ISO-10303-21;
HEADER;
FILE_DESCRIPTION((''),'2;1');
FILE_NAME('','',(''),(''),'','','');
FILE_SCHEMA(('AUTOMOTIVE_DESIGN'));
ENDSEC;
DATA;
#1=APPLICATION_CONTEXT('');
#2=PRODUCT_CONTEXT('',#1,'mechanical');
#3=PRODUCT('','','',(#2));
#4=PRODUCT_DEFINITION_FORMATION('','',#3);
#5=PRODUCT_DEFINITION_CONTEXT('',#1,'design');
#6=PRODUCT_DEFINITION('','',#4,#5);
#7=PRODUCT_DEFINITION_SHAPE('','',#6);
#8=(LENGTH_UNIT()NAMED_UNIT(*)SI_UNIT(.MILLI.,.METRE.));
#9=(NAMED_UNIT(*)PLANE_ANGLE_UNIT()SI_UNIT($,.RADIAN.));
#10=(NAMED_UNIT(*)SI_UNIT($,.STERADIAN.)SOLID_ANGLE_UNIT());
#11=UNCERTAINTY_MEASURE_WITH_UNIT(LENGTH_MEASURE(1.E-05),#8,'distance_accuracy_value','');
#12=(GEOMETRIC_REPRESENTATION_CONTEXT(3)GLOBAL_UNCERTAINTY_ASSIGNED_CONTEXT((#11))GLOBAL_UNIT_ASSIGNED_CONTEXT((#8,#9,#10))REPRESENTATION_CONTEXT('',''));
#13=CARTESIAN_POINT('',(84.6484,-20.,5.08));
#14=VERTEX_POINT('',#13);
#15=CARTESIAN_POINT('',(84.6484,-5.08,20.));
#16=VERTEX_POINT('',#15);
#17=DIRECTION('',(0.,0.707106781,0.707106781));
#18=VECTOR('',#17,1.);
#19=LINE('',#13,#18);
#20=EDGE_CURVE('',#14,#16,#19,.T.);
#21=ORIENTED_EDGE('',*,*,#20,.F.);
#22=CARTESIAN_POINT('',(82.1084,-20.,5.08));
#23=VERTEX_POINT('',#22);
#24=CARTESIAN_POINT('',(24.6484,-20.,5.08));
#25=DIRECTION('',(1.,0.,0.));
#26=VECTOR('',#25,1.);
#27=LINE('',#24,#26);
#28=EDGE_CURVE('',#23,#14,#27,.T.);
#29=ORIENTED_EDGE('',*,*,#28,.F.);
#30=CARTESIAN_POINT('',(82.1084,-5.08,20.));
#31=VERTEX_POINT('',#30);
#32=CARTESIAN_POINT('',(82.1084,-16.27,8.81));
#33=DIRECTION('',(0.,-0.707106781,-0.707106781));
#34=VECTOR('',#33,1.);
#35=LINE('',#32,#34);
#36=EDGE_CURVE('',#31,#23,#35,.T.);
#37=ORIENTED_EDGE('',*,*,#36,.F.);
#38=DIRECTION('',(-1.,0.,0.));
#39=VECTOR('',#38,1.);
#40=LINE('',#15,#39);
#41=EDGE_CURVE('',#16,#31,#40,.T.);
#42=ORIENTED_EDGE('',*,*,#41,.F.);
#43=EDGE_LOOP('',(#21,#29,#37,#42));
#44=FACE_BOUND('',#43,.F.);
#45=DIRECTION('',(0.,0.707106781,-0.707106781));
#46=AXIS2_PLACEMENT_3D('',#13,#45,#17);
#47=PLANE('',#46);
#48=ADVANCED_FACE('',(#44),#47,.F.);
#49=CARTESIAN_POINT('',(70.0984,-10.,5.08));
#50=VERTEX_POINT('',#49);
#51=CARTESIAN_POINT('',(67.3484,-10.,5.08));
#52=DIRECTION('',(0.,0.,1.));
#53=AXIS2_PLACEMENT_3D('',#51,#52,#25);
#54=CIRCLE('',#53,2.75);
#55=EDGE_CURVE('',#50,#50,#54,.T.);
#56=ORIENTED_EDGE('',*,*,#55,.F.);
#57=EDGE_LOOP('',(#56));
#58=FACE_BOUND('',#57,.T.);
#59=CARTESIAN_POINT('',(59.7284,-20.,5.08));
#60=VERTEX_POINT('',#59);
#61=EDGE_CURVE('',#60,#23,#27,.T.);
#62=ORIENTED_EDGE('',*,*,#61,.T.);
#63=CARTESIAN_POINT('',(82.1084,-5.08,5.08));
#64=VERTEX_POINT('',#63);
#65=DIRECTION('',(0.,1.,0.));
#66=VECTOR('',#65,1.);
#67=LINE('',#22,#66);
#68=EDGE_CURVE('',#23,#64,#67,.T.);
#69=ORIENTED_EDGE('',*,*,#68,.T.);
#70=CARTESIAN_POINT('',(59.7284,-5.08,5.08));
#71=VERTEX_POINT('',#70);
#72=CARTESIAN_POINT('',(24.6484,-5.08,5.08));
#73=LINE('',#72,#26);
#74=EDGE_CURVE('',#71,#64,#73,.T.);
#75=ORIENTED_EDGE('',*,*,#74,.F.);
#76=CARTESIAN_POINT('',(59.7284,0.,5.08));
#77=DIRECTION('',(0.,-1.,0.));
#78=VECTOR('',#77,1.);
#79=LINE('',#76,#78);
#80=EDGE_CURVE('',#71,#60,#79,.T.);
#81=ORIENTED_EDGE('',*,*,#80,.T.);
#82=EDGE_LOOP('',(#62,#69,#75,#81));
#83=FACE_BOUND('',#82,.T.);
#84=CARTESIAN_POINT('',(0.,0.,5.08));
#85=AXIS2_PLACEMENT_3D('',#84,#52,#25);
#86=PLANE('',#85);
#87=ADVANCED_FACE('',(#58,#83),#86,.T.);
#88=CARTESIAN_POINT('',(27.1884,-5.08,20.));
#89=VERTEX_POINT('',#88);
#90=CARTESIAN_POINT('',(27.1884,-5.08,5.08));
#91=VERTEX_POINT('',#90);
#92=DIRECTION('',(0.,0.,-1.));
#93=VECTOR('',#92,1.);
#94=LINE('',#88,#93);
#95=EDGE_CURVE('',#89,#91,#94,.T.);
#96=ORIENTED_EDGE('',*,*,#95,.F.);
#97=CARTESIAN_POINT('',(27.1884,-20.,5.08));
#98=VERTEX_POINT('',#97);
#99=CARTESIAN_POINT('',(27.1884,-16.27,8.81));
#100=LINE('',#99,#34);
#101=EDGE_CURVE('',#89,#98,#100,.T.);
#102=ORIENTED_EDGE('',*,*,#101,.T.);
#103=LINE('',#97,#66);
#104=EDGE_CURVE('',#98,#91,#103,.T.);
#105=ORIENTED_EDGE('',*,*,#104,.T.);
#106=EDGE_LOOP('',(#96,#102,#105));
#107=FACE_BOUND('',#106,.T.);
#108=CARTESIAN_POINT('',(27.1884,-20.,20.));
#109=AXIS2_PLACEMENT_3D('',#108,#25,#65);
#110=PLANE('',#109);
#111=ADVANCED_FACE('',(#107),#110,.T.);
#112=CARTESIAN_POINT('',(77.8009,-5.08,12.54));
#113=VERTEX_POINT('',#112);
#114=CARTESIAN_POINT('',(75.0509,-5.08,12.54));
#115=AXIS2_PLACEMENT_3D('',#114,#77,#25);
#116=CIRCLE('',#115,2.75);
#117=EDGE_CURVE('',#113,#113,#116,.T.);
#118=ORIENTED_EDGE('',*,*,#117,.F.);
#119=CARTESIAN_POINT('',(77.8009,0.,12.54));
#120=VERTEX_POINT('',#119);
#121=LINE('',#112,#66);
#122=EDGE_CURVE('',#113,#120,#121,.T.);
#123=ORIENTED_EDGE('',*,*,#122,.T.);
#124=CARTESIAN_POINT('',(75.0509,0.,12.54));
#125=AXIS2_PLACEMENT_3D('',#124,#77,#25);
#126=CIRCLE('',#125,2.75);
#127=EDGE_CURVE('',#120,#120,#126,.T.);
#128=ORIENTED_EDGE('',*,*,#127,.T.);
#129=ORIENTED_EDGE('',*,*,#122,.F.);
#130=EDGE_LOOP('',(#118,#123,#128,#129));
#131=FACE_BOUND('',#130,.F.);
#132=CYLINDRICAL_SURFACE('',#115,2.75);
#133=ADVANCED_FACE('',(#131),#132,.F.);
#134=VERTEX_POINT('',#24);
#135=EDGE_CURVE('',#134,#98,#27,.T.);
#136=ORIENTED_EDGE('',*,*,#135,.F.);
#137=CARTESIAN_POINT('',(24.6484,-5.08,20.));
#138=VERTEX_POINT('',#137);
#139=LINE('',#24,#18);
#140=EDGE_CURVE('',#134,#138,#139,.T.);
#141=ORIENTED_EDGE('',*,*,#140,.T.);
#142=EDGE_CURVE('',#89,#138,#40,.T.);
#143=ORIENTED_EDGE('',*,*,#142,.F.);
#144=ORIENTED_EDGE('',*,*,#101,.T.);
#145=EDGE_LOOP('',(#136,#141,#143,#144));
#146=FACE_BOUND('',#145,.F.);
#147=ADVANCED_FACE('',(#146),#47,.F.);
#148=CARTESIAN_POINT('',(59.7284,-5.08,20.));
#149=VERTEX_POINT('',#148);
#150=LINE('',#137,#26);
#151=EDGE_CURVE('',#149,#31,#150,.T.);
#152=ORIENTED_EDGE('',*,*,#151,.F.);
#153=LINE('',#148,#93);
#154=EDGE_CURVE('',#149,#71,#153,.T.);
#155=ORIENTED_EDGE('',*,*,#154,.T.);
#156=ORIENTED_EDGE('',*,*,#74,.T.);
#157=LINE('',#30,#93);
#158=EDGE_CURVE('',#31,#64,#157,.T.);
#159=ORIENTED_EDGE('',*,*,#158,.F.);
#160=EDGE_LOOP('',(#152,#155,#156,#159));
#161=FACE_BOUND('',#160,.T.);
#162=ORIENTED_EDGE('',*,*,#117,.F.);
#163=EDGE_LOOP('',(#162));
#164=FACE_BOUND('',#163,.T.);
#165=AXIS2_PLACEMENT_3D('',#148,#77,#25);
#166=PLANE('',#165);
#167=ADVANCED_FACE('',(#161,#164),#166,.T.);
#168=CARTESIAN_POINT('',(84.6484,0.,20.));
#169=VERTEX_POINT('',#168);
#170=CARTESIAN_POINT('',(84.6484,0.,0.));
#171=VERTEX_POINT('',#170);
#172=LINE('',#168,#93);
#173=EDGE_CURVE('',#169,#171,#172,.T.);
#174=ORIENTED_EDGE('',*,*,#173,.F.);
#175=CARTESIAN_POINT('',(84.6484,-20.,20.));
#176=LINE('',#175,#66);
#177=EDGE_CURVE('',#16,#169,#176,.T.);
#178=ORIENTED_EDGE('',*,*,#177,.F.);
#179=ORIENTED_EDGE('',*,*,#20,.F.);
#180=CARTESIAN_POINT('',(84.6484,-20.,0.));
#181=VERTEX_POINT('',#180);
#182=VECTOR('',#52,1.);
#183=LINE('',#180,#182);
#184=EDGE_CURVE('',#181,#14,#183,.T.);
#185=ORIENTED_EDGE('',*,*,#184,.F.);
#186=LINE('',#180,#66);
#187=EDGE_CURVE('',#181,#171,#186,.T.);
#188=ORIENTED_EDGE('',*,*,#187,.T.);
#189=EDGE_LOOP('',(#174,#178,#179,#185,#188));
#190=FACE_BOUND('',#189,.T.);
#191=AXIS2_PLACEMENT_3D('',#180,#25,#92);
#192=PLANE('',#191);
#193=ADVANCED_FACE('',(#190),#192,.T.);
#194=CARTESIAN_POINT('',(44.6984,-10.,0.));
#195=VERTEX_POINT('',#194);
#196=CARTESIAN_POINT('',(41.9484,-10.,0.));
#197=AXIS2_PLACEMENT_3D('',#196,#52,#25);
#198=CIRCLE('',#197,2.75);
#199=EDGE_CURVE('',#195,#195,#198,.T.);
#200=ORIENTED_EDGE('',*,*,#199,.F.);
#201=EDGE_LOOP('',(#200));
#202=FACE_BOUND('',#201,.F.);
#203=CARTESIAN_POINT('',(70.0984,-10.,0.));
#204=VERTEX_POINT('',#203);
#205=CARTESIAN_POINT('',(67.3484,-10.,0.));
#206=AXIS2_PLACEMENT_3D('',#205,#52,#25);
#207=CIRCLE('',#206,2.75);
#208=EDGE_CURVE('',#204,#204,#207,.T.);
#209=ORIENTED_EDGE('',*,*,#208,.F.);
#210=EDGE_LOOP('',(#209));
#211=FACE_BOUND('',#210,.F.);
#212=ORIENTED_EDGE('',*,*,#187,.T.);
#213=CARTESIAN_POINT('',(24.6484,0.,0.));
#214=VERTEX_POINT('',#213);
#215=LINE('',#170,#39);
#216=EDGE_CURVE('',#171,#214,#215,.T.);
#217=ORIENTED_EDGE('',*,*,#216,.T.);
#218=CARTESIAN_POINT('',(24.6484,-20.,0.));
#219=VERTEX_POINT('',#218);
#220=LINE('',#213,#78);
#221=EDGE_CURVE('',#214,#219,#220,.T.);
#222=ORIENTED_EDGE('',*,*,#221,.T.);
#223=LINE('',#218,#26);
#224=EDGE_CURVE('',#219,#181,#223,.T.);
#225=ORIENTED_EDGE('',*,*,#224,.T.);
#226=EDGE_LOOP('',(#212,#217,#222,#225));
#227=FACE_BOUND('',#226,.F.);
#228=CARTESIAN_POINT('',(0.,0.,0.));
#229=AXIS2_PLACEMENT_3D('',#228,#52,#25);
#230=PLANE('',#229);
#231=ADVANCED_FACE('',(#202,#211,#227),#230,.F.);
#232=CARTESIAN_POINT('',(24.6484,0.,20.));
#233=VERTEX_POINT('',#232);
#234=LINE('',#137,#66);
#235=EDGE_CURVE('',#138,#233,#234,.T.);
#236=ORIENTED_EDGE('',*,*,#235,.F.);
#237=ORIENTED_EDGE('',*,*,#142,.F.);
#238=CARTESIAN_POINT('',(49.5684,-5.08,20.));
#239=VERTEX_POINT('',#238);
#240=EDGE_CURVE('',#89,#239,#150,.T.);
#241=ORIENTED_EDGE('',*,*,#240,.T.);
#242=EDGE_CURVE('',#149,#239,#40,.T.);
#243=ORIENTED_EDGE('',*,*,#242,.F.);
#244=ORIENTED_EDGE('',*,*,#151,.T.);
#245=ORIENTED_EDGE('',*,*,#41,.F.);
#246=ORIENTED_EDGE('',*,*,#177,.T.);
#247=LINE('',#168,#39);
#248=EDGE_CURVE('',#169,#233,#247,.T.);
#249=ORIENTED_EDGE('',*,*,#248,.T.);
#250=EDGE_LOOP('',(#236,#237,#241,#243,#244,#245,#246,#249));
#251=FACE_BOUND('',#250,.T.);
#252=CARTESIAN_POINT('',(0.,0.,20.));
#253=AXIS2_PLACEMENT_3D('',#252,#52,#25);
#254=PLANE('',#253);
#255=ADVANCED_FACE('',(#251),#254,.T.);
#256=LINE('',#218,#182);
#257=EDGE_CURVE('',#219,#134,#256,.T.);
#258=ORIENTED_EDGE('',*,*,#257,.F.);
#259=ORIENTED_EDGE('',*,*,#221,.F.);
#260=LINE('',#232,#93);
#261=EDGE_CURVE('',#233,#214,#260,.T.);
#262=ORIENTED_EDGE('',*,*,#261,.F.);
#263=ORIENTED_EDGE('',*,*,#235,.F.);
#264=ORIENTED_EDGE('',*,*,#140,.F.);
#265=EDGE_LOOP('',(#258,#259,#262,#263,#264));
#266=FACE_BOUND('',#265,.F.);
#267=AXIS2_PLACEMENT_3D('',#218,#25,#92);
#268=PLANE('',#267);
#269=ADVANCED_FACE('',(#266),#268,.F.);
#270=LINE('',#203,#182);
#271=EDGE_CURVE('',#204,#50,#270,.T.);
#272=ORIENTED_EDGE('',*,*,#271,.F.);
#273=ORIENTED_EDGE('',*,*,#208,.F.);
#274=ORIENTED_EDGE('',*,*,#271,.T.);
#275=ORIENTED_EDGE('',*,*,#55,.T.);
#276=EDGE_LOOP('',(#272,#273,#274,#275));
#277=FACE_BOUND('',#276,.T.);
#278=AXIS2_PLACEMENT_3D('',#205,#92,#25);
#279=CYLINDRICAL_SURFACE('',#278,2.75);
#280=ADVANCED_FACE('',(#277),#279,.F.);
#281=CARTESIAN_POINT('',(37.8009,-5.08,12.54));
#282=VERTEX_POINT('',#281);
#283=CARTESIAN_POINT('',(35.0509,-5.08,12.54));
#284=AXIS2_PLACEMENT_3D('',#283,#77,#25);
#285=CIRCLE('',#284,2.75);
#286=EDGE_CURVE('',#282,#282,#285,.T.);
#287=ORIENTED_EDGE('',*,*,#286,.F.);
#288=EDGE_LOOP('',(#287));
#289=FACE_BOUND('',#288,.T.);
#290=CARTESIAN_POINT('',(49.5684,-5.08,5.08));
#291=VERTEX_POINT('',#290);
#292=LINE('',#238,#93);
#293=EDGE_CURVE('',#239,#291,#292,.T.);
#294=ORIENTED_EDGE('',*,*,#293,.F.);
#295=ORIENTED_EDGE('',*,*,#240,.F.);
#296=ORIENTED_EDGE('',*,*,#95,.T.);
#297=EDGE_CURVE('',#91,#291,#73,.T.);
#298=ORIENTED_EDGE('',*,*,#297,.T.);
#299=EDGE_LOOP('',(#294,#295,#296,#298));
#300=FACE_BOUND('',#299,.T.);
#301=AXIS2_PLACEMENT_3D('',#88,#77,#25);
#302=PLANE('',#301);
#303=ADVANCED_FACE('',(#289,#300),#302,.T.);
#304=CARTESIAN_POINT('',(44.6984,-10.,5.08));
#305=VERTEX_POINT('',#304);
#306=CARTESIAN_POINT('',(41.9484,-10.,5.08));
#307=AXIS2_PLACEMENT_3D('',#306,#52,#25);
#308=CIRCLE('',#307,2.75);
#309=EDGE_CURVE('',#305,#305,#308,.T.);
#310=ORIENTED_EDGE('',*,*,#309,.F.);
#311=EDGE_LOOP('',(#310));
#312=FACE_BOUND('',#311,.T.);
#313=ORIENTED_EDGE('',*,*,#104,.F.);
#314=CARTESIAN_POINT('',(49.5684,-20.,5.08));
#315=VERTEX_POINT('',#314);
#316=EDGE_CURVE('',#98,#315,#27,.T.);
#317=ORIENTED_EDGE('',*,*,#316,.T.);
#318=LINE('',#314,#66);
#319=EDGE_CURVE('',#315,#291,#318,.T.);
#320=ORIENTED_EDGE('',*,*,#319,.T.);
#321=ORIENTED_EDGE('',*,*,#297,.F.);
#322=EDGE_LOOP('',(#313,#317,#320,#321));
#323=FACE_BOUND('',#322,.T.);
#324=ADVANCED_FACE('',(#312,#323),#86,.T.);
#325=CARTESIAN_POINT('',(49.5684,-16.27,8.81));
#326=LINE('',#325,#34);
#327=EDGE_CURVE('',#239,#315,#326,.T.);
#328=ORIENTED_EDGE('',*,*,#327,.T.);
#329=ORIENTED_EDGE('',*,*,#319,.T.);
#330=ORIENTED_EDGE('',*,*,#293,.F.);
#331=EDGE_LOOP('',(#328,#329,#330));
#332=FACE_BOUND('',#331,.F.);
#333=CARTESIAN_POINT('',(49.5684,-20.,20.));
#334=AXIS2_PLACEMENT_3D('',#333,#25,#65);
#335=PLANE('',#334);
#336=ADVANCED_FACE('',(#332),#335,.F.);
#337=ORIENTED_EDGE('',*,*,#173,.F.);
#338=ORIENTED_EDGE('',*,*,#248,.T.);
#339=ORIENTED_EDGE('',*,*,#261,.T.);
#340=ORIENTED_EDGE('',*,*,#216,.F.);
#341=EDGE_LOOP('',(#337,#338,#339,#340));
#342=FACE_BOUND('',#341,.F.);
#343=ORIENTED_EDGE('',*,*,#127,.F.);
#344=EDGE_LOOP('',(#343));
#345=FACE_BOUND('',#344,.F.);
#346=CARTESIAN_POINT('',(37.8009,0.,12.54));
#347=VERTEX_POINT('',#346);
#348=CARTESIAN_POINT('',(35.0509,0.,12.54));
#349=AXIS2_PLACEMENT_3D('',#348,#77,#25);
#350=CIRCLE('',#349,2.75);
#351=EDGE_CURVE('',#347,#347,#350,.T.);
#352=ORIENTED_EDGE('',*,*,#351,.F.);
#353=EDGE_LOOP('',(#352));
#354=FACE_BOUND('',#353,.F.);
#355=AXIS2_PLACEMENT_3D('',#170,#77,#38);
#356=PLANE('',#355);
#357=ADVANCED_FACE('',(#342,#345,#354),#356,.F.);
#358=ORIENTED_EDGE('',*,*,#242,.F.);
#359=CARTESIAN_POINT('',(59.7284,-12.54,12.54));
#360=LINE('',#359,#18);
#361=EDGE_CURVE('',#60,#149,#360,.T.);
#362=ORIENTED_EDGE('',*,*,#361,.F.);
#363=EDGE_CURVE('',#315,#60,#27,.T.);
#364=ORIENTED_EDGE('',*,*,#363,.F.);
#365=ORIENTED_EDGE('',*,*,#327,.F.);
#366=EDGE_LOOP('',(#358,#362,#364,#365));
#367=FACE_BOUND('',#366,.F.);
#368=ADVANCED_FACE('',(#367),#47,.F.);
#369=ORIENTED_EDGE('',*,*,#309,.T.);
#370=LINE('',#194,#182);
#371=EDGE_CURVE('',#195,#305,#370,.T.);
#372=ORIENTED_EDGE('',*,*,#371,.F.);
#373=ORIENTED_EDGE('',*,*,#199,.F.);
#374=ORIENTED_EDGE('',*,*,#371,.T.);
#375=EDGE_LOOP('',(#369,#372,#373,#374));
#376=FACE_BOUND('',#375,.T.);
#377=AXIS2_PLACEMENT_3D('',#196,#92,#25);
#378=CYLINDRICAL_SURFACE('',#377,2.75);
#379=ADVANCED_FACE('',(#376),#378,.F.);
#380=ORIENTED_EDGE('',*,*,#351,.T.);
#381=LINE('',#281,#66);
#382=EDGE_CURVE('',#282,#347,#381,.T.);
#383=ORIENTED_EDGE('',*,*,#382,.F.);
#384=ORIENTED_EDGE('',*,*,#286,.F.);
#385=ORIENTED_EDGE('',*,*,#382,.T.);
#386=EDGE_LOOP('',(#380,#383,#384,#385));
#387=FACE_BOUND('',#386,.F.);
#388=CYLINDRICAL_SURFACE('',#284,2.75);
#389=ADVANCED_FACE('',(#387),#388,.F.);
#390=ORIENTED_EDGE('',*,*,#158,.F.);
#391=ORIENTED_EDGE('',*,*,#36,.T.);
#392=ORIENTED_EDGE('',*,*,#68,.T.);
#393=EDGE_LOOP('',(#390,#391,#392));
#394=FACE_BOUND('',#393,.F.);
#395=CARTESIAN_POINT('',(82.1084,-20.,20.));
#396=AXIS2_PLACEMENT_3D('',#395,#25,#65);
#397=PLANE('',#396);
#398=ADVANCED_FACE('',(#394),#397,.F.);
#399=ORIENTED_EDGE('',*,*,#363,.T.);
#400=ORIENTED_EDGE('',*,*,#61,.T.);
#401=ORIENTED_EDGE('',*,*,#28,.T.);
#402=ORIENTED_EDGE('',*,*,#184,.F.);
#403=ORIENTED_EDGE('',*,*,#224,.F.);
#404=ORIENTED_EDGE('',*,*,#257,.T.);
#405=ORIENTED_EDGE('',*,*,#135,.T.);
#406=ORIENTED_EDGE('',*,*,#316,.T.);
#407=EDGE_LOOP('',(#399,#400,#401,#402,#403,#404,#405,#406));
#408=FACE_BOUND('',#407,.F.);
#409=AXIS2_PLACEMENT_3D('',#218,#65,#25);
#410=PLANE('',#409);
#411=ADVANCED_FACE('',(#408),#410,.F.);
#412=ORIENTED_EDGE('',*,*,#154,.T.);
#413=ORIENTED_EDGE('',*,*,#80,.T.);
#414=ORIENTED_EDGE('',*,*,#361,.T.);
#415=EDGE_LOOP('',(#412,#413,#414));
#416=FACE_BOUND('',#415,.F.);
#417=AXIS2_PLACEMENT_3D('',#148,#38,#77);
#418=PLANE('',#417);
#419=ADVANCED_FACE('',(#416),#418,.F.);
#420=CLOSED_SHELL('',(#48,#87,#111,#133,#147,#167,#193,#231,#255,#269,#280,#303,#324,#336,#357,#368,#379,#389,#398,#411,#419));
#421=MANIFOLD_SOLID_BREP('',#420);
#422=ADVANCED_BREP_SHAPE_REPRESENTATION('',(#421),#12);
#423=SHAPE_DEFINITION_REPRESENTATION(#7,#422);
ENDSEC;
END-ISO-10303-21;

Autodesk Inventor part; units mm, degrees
ref_plane "YZ Plane" through (0, 0, 0) normal (1, 0, 0) x (0, 1, 0)
ref_plane "XZ Plane" through (0, 0, 0) normal (0, 1, 0) x (-1, 0, 0)
ref_plane "XY Plane" through (0, 0, 0) normal (0, 0, 1) x (1, 0, 0)
sketch "Sketch1" plane through (0, 0, 0) normal (0, 0, 1) x (1, 0, 0)
  line L0 (0, -1.25) -> (250, -1.25) construction
  line L1 (0, -1.25) -> (0, -6.4) projected
  line L2 (0, -6.4) -> (250, -6.4) construction
  line L3 (250, -1.25) -> (250, -6.4) projected
  line L4 (250, -18.75) -> (0, -18.75) construction
  line L5 (250, -13.6) -> (250, -18.75) projected
  line L6 (0, -13.6) -> (250, -13.6) construction
  line L7 (0, -13.6) -> (0, -18.75) projected
  line L8 (0, -20) -> (250, -20) construction
  line L9 (250, 0) -> (0, 0) construction
  line L10 (24.6484, -20) -> (84.6484, -20)
  line L11 (84.6484, -20) -> (84.6484, 0)
  line L12 (84.6484, 0) -> (24.6484, 0)
  line L13 (24.6484, 0) -> (24.6484, -20)
  line L14 (54.6484, -20) -> (54.6484, 0) construction
  circle A0 centre (67.3484, -10) radius 2.75
  circle A1 centre (41.9484, -10) radius 2.75
  line L15 (54.6484, -10) -> (41.9484, -10) construction
  line L16 (54.6484, -10) -> (67.3484, -10) construction
  point P0 (0, 0)
  dimension "d0" = 60
  dimension "d1" = 5.5
  dimension "d2" = 5.5
  dimension "d11" = 12.7
extrude "Extrusion1" add sketch "Sketch1" along normal blind 5.08
sketch "Sketch2" plane through (0, 0, 5.08) normal (0, 0, 1) x (1, 0, 0)
  line L0 (84.6484, 0) -> (24.6484, 0) projected
  line L1 (84.6484, -20) -> (84.6484, 0) projected
  line L2 (24.6484, 0) -> (84.6484, 0)
  line L3 (84.6484, 0) -> (84.6484, -5.08)
  line L4 (84.6484, -5.08) -> (24.6484, -5.08)
  line L5 (24.6484, -5.08) -> (24.6484, 0)
  point P0 (0, 0)
  dimension "d5" = 5.08
extrude "Extrusion2" add sketch "Sketch2" along normal blind 14.92
sketch "Sketch3" plane through (24.6484, -5.08, 5.08) normal (0, -1, 0) x (1, 0, 0)
  line L0 (0, -5.08) -> (0, 14.92) projected
  line L1 (0, 0) -> (60, 0) projected
  line L2 (0, 14.92) -> (0, 0)
  line L3 (60, -5.08) -> (60, 14.92) projected
  line L4 (19.1525, 952.0343) -> (19.1525, -47.9657) construction
  line L5 (19.1525, 952.0343) -> (14.0025, 952.0343) projected
  line L6 (14.0025, 952.0343) -> (14.0025, -47.9657) construction
  line L7 (19.1525, -47.9657) -> (14.0025, -47.9657) projected
  line L8 (1.6525, -47.9657) -> (1.6525, 952.0343) construction
  line L9 (6.8025, -47.9657) -> (1.6525, -47.9657) projected
  line L10 (6.8025, 952.0343) -> (6.8025, -47.9657) construction
  line L11 (6.8025, 952.0343) -> (1.6525, 952.0343) projected
  line L12 (0, 7.46) -> (1.6525, 7.46)
  line L13 (6.8025, 7.46) -> (14.0025, 7.46) construction
  line L14 (41.6525, -47.9657) -> (41.6525, 952.0343) construction
  line L15 (41.6525, -47.9657) -> (46.8025, -47.9657) projected
  line L16 (46.8025, -47.9657) -> (46.8025, 952.0343) construction
  line L17 (41.6525, 952.0343) -> (46.8025, 952.0343) projected
  line L18 (59.1525, 952.0343) -> (59.1525, -47.9657) construction
  line L19 (54.0025, 952.0343) -> (59.1525, 952.0343) projected
  line L20 (54.0025, -47.9657) -> (54.0025, 952.0343) construction
  line L21 (54.0025, -47.9657) -> (59.1525, -47.9657) projected
  line L22 (46.8025, 7.46) -> (54.0025, 7.46) construction
  line L23 (59.1525, 7.46) -> (60, 7.46)
  circle A0 centre (50.4025, 7.46) radius 2.75
  circle A1 centre (10.4025, 7.46) radius 2.75
  point P0 (-24.6484, -5.08)
  dimension "d8" = 5.5
extrude "Extrusion3" cut sketch "Sketch3" against normal blind 14.92
sketch "Sketch4" plane through (84.6484, -20, 0) normal (1, 0, 0) x (0, 0, -1)
  line L0 (-5.08, 0) -> (-5.08, 14.92) projected
  line L1 (-5.08, 14.92) -> (-20, 14.92) projected
  line L2 (-5.08, 0) -> (-20, 14.92)
  line L3 (-20, 14.92) -> (-5.08, 14.92)
  line L4 (-5.08, 14.92) -> (-5.08, 0)
  point P0 (0, 20)
extrude "Extrusion4" add sketch "Sketch4" against normal up to surface (60 mm away)
sketch "Sketch5" plane through (0, 0, 20) normal (0, 0, 1) x (1, 0, 0)
  line L0 (32.3009, 0) -> (37.8009, 0) projected
  line L1 (72.3009, 0) -> (77.8009, 0) projected
  circle A0 centre (41.9484, -10) radius 2.75 projected
  circle A1 centre (67.3484, -10) radius 2.75 projected
  line L2 (84.6484, 0) -> (24.6484, 0) projected
  line L3 (54.6484, 0) -> (54.6484, -20)
  line L4 (24.6484, -20) -> (84.6484, -20) projected
  line L5 (59.7284, -20) -> (49.5684, -20)
  line L6 (49.5684, -20) -> (49.5684, 0)
  line L7 (49.5684, 0) -> (59.7284, 0)
  line L8 (59.7284, 0) -> (59.7284, -20)
  line L9 (59.7284, -20) -> (49.5684, 0) construction
  line L10 (49.5684, -20) -> (59.7284, 0) construction
  line L11 (84.6484, -20) -> (82.1084, -20)
  line L12 (82.1084, -20) -> (82.1084, 0)
  line L13 (82.1084, 0) -> (84.6484, 0)
  line L14 (84.6484, 0) -> (84.6484, -20)
  line L15 (24.6484, -20) -> (27.1884, -20)
  line L16 (27.1884, -20) -> (27.1884, 0)
  line L17 (27.1884, 0) -> (24.6484, 0)
  line L18 (24.6484, 0) -> (24.6484, -20)
  line L19 (24.6484, -5.08) -> (84.6484, -5.08) projected
  line L20 (84.6484, 0) -> (24.6484, 0)
  line L21 (24.6484, 0) -> (24.6484, -5.08)
  line L22 (24.6484, -5.08) -> (84.6484, -5.08)
  line L23 (84.6484, -5.08) -> (84.6484, 0)
  line L24 (59.7284, -20) -> (82.1084, -20)
  line L25 (82.1084, -20) -> (82.1084, -5.08)
  line L26 (82.1084, -5.08) -> (59.7284, -5.08)
  line L27 (59.7284, -5.08) -> (59.7284, -20)
  line L28 (27.1884, -20) -> (49.5684, -20)
  line L29 (49.5684, -20) -> (49.5684, -5.08)
  line L30 (49.5684, -5.08) -> (27.1884, -5.08)
  line L31 (27.1884, -5.08) -> (27.1884, -20)
  point P0 (0, 0)
  point P1 (54.6484, -10)
  dimension "d14" = 2.54
  dimension "d15" = 2.54
  dimension "d16" = 10.16
extrude "Extrusion5" cut sketch "Sketch5" against normal blind 14.92 contours L19 L6 L4 L16 | L19 L12 L4 L8 | A0 | A1
properties part number "double90"
